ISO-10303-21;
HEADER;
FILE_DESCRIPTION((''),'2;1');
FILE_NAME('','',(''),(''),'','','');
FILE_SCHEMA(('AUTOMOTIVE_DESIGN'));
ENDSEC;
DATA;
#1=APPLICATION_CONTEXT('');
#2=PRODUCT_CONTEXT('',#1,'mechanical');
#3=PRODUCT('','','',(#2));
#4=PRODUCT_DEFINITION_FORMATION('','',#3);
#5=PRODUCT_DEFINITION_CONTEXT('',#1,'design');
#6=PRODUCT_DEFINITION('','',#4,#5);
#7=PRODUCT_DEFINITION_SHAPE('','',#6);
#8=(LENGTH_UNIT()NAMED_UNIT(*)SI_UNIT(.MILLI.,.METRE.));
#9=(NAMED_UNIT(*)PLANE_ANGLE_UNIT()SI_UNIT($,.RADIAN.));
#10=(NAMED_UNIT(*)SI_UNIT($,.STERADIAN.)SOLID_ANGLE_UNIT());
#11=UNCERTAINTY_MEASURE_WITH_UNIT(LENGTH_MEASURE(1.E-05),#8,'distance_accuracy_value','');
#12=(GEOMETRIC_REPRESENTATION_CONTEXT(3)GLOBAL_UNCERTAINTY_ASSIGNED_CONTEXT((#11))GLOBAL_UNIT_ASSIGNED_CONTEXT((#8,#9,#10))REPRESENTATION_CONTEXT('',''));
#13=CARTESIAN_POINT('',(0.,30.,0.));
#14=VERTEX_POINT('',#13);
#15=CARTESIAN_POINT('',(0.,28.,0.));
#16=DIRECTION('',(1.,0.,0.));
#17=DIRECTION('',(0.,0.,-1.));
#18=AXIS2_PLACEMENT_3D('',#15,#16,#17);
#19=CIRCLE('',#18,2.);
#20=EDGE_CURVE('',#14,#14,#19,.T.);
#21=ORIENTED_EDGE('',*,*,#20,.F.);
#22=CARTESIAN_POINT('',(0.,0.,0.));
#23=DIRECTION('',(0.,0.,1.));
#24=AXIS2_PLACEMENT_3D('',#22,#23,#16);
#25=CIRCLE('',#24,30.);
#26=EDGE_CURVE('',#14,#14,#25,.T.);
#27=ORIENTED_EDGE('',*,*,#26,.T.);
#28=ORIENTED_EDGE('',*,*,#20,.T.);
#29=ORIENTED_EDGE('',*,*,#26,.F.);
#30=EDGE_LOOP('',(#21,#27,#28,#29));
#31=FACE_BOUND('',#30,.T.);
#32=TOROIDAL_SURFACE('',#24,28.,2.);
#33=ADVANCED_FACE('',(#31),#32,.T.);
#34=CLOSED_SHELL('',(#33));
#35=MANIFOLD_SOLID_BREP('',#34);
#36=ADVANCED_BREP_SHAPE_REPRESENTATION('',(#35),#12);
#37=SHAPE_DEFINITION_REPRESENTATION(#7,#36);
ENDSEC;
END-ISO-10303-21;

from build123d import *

# Parameters (mm, degrees)
ESQUISSE3_R = 2


with BuildPart() as part:
    # Balayage5: sweep along a path in Esquisse1
    with BuildLine(Plane.XY) as balayage5_path:
        CenterArc((0, 0), 28, 0, 360)
    # Esquisse3 → Balayage5 (sweep)
    with BuildSketch(Plane(origin=(0, 0, 0), x_dir=(0, 0, -1), z_dir=(1, 0, 0))):
        with Locations((0, 28)):
            Circle(ESQUISSE3_R)
    sweep(path=balayage5_path.line)


solid = part.part
